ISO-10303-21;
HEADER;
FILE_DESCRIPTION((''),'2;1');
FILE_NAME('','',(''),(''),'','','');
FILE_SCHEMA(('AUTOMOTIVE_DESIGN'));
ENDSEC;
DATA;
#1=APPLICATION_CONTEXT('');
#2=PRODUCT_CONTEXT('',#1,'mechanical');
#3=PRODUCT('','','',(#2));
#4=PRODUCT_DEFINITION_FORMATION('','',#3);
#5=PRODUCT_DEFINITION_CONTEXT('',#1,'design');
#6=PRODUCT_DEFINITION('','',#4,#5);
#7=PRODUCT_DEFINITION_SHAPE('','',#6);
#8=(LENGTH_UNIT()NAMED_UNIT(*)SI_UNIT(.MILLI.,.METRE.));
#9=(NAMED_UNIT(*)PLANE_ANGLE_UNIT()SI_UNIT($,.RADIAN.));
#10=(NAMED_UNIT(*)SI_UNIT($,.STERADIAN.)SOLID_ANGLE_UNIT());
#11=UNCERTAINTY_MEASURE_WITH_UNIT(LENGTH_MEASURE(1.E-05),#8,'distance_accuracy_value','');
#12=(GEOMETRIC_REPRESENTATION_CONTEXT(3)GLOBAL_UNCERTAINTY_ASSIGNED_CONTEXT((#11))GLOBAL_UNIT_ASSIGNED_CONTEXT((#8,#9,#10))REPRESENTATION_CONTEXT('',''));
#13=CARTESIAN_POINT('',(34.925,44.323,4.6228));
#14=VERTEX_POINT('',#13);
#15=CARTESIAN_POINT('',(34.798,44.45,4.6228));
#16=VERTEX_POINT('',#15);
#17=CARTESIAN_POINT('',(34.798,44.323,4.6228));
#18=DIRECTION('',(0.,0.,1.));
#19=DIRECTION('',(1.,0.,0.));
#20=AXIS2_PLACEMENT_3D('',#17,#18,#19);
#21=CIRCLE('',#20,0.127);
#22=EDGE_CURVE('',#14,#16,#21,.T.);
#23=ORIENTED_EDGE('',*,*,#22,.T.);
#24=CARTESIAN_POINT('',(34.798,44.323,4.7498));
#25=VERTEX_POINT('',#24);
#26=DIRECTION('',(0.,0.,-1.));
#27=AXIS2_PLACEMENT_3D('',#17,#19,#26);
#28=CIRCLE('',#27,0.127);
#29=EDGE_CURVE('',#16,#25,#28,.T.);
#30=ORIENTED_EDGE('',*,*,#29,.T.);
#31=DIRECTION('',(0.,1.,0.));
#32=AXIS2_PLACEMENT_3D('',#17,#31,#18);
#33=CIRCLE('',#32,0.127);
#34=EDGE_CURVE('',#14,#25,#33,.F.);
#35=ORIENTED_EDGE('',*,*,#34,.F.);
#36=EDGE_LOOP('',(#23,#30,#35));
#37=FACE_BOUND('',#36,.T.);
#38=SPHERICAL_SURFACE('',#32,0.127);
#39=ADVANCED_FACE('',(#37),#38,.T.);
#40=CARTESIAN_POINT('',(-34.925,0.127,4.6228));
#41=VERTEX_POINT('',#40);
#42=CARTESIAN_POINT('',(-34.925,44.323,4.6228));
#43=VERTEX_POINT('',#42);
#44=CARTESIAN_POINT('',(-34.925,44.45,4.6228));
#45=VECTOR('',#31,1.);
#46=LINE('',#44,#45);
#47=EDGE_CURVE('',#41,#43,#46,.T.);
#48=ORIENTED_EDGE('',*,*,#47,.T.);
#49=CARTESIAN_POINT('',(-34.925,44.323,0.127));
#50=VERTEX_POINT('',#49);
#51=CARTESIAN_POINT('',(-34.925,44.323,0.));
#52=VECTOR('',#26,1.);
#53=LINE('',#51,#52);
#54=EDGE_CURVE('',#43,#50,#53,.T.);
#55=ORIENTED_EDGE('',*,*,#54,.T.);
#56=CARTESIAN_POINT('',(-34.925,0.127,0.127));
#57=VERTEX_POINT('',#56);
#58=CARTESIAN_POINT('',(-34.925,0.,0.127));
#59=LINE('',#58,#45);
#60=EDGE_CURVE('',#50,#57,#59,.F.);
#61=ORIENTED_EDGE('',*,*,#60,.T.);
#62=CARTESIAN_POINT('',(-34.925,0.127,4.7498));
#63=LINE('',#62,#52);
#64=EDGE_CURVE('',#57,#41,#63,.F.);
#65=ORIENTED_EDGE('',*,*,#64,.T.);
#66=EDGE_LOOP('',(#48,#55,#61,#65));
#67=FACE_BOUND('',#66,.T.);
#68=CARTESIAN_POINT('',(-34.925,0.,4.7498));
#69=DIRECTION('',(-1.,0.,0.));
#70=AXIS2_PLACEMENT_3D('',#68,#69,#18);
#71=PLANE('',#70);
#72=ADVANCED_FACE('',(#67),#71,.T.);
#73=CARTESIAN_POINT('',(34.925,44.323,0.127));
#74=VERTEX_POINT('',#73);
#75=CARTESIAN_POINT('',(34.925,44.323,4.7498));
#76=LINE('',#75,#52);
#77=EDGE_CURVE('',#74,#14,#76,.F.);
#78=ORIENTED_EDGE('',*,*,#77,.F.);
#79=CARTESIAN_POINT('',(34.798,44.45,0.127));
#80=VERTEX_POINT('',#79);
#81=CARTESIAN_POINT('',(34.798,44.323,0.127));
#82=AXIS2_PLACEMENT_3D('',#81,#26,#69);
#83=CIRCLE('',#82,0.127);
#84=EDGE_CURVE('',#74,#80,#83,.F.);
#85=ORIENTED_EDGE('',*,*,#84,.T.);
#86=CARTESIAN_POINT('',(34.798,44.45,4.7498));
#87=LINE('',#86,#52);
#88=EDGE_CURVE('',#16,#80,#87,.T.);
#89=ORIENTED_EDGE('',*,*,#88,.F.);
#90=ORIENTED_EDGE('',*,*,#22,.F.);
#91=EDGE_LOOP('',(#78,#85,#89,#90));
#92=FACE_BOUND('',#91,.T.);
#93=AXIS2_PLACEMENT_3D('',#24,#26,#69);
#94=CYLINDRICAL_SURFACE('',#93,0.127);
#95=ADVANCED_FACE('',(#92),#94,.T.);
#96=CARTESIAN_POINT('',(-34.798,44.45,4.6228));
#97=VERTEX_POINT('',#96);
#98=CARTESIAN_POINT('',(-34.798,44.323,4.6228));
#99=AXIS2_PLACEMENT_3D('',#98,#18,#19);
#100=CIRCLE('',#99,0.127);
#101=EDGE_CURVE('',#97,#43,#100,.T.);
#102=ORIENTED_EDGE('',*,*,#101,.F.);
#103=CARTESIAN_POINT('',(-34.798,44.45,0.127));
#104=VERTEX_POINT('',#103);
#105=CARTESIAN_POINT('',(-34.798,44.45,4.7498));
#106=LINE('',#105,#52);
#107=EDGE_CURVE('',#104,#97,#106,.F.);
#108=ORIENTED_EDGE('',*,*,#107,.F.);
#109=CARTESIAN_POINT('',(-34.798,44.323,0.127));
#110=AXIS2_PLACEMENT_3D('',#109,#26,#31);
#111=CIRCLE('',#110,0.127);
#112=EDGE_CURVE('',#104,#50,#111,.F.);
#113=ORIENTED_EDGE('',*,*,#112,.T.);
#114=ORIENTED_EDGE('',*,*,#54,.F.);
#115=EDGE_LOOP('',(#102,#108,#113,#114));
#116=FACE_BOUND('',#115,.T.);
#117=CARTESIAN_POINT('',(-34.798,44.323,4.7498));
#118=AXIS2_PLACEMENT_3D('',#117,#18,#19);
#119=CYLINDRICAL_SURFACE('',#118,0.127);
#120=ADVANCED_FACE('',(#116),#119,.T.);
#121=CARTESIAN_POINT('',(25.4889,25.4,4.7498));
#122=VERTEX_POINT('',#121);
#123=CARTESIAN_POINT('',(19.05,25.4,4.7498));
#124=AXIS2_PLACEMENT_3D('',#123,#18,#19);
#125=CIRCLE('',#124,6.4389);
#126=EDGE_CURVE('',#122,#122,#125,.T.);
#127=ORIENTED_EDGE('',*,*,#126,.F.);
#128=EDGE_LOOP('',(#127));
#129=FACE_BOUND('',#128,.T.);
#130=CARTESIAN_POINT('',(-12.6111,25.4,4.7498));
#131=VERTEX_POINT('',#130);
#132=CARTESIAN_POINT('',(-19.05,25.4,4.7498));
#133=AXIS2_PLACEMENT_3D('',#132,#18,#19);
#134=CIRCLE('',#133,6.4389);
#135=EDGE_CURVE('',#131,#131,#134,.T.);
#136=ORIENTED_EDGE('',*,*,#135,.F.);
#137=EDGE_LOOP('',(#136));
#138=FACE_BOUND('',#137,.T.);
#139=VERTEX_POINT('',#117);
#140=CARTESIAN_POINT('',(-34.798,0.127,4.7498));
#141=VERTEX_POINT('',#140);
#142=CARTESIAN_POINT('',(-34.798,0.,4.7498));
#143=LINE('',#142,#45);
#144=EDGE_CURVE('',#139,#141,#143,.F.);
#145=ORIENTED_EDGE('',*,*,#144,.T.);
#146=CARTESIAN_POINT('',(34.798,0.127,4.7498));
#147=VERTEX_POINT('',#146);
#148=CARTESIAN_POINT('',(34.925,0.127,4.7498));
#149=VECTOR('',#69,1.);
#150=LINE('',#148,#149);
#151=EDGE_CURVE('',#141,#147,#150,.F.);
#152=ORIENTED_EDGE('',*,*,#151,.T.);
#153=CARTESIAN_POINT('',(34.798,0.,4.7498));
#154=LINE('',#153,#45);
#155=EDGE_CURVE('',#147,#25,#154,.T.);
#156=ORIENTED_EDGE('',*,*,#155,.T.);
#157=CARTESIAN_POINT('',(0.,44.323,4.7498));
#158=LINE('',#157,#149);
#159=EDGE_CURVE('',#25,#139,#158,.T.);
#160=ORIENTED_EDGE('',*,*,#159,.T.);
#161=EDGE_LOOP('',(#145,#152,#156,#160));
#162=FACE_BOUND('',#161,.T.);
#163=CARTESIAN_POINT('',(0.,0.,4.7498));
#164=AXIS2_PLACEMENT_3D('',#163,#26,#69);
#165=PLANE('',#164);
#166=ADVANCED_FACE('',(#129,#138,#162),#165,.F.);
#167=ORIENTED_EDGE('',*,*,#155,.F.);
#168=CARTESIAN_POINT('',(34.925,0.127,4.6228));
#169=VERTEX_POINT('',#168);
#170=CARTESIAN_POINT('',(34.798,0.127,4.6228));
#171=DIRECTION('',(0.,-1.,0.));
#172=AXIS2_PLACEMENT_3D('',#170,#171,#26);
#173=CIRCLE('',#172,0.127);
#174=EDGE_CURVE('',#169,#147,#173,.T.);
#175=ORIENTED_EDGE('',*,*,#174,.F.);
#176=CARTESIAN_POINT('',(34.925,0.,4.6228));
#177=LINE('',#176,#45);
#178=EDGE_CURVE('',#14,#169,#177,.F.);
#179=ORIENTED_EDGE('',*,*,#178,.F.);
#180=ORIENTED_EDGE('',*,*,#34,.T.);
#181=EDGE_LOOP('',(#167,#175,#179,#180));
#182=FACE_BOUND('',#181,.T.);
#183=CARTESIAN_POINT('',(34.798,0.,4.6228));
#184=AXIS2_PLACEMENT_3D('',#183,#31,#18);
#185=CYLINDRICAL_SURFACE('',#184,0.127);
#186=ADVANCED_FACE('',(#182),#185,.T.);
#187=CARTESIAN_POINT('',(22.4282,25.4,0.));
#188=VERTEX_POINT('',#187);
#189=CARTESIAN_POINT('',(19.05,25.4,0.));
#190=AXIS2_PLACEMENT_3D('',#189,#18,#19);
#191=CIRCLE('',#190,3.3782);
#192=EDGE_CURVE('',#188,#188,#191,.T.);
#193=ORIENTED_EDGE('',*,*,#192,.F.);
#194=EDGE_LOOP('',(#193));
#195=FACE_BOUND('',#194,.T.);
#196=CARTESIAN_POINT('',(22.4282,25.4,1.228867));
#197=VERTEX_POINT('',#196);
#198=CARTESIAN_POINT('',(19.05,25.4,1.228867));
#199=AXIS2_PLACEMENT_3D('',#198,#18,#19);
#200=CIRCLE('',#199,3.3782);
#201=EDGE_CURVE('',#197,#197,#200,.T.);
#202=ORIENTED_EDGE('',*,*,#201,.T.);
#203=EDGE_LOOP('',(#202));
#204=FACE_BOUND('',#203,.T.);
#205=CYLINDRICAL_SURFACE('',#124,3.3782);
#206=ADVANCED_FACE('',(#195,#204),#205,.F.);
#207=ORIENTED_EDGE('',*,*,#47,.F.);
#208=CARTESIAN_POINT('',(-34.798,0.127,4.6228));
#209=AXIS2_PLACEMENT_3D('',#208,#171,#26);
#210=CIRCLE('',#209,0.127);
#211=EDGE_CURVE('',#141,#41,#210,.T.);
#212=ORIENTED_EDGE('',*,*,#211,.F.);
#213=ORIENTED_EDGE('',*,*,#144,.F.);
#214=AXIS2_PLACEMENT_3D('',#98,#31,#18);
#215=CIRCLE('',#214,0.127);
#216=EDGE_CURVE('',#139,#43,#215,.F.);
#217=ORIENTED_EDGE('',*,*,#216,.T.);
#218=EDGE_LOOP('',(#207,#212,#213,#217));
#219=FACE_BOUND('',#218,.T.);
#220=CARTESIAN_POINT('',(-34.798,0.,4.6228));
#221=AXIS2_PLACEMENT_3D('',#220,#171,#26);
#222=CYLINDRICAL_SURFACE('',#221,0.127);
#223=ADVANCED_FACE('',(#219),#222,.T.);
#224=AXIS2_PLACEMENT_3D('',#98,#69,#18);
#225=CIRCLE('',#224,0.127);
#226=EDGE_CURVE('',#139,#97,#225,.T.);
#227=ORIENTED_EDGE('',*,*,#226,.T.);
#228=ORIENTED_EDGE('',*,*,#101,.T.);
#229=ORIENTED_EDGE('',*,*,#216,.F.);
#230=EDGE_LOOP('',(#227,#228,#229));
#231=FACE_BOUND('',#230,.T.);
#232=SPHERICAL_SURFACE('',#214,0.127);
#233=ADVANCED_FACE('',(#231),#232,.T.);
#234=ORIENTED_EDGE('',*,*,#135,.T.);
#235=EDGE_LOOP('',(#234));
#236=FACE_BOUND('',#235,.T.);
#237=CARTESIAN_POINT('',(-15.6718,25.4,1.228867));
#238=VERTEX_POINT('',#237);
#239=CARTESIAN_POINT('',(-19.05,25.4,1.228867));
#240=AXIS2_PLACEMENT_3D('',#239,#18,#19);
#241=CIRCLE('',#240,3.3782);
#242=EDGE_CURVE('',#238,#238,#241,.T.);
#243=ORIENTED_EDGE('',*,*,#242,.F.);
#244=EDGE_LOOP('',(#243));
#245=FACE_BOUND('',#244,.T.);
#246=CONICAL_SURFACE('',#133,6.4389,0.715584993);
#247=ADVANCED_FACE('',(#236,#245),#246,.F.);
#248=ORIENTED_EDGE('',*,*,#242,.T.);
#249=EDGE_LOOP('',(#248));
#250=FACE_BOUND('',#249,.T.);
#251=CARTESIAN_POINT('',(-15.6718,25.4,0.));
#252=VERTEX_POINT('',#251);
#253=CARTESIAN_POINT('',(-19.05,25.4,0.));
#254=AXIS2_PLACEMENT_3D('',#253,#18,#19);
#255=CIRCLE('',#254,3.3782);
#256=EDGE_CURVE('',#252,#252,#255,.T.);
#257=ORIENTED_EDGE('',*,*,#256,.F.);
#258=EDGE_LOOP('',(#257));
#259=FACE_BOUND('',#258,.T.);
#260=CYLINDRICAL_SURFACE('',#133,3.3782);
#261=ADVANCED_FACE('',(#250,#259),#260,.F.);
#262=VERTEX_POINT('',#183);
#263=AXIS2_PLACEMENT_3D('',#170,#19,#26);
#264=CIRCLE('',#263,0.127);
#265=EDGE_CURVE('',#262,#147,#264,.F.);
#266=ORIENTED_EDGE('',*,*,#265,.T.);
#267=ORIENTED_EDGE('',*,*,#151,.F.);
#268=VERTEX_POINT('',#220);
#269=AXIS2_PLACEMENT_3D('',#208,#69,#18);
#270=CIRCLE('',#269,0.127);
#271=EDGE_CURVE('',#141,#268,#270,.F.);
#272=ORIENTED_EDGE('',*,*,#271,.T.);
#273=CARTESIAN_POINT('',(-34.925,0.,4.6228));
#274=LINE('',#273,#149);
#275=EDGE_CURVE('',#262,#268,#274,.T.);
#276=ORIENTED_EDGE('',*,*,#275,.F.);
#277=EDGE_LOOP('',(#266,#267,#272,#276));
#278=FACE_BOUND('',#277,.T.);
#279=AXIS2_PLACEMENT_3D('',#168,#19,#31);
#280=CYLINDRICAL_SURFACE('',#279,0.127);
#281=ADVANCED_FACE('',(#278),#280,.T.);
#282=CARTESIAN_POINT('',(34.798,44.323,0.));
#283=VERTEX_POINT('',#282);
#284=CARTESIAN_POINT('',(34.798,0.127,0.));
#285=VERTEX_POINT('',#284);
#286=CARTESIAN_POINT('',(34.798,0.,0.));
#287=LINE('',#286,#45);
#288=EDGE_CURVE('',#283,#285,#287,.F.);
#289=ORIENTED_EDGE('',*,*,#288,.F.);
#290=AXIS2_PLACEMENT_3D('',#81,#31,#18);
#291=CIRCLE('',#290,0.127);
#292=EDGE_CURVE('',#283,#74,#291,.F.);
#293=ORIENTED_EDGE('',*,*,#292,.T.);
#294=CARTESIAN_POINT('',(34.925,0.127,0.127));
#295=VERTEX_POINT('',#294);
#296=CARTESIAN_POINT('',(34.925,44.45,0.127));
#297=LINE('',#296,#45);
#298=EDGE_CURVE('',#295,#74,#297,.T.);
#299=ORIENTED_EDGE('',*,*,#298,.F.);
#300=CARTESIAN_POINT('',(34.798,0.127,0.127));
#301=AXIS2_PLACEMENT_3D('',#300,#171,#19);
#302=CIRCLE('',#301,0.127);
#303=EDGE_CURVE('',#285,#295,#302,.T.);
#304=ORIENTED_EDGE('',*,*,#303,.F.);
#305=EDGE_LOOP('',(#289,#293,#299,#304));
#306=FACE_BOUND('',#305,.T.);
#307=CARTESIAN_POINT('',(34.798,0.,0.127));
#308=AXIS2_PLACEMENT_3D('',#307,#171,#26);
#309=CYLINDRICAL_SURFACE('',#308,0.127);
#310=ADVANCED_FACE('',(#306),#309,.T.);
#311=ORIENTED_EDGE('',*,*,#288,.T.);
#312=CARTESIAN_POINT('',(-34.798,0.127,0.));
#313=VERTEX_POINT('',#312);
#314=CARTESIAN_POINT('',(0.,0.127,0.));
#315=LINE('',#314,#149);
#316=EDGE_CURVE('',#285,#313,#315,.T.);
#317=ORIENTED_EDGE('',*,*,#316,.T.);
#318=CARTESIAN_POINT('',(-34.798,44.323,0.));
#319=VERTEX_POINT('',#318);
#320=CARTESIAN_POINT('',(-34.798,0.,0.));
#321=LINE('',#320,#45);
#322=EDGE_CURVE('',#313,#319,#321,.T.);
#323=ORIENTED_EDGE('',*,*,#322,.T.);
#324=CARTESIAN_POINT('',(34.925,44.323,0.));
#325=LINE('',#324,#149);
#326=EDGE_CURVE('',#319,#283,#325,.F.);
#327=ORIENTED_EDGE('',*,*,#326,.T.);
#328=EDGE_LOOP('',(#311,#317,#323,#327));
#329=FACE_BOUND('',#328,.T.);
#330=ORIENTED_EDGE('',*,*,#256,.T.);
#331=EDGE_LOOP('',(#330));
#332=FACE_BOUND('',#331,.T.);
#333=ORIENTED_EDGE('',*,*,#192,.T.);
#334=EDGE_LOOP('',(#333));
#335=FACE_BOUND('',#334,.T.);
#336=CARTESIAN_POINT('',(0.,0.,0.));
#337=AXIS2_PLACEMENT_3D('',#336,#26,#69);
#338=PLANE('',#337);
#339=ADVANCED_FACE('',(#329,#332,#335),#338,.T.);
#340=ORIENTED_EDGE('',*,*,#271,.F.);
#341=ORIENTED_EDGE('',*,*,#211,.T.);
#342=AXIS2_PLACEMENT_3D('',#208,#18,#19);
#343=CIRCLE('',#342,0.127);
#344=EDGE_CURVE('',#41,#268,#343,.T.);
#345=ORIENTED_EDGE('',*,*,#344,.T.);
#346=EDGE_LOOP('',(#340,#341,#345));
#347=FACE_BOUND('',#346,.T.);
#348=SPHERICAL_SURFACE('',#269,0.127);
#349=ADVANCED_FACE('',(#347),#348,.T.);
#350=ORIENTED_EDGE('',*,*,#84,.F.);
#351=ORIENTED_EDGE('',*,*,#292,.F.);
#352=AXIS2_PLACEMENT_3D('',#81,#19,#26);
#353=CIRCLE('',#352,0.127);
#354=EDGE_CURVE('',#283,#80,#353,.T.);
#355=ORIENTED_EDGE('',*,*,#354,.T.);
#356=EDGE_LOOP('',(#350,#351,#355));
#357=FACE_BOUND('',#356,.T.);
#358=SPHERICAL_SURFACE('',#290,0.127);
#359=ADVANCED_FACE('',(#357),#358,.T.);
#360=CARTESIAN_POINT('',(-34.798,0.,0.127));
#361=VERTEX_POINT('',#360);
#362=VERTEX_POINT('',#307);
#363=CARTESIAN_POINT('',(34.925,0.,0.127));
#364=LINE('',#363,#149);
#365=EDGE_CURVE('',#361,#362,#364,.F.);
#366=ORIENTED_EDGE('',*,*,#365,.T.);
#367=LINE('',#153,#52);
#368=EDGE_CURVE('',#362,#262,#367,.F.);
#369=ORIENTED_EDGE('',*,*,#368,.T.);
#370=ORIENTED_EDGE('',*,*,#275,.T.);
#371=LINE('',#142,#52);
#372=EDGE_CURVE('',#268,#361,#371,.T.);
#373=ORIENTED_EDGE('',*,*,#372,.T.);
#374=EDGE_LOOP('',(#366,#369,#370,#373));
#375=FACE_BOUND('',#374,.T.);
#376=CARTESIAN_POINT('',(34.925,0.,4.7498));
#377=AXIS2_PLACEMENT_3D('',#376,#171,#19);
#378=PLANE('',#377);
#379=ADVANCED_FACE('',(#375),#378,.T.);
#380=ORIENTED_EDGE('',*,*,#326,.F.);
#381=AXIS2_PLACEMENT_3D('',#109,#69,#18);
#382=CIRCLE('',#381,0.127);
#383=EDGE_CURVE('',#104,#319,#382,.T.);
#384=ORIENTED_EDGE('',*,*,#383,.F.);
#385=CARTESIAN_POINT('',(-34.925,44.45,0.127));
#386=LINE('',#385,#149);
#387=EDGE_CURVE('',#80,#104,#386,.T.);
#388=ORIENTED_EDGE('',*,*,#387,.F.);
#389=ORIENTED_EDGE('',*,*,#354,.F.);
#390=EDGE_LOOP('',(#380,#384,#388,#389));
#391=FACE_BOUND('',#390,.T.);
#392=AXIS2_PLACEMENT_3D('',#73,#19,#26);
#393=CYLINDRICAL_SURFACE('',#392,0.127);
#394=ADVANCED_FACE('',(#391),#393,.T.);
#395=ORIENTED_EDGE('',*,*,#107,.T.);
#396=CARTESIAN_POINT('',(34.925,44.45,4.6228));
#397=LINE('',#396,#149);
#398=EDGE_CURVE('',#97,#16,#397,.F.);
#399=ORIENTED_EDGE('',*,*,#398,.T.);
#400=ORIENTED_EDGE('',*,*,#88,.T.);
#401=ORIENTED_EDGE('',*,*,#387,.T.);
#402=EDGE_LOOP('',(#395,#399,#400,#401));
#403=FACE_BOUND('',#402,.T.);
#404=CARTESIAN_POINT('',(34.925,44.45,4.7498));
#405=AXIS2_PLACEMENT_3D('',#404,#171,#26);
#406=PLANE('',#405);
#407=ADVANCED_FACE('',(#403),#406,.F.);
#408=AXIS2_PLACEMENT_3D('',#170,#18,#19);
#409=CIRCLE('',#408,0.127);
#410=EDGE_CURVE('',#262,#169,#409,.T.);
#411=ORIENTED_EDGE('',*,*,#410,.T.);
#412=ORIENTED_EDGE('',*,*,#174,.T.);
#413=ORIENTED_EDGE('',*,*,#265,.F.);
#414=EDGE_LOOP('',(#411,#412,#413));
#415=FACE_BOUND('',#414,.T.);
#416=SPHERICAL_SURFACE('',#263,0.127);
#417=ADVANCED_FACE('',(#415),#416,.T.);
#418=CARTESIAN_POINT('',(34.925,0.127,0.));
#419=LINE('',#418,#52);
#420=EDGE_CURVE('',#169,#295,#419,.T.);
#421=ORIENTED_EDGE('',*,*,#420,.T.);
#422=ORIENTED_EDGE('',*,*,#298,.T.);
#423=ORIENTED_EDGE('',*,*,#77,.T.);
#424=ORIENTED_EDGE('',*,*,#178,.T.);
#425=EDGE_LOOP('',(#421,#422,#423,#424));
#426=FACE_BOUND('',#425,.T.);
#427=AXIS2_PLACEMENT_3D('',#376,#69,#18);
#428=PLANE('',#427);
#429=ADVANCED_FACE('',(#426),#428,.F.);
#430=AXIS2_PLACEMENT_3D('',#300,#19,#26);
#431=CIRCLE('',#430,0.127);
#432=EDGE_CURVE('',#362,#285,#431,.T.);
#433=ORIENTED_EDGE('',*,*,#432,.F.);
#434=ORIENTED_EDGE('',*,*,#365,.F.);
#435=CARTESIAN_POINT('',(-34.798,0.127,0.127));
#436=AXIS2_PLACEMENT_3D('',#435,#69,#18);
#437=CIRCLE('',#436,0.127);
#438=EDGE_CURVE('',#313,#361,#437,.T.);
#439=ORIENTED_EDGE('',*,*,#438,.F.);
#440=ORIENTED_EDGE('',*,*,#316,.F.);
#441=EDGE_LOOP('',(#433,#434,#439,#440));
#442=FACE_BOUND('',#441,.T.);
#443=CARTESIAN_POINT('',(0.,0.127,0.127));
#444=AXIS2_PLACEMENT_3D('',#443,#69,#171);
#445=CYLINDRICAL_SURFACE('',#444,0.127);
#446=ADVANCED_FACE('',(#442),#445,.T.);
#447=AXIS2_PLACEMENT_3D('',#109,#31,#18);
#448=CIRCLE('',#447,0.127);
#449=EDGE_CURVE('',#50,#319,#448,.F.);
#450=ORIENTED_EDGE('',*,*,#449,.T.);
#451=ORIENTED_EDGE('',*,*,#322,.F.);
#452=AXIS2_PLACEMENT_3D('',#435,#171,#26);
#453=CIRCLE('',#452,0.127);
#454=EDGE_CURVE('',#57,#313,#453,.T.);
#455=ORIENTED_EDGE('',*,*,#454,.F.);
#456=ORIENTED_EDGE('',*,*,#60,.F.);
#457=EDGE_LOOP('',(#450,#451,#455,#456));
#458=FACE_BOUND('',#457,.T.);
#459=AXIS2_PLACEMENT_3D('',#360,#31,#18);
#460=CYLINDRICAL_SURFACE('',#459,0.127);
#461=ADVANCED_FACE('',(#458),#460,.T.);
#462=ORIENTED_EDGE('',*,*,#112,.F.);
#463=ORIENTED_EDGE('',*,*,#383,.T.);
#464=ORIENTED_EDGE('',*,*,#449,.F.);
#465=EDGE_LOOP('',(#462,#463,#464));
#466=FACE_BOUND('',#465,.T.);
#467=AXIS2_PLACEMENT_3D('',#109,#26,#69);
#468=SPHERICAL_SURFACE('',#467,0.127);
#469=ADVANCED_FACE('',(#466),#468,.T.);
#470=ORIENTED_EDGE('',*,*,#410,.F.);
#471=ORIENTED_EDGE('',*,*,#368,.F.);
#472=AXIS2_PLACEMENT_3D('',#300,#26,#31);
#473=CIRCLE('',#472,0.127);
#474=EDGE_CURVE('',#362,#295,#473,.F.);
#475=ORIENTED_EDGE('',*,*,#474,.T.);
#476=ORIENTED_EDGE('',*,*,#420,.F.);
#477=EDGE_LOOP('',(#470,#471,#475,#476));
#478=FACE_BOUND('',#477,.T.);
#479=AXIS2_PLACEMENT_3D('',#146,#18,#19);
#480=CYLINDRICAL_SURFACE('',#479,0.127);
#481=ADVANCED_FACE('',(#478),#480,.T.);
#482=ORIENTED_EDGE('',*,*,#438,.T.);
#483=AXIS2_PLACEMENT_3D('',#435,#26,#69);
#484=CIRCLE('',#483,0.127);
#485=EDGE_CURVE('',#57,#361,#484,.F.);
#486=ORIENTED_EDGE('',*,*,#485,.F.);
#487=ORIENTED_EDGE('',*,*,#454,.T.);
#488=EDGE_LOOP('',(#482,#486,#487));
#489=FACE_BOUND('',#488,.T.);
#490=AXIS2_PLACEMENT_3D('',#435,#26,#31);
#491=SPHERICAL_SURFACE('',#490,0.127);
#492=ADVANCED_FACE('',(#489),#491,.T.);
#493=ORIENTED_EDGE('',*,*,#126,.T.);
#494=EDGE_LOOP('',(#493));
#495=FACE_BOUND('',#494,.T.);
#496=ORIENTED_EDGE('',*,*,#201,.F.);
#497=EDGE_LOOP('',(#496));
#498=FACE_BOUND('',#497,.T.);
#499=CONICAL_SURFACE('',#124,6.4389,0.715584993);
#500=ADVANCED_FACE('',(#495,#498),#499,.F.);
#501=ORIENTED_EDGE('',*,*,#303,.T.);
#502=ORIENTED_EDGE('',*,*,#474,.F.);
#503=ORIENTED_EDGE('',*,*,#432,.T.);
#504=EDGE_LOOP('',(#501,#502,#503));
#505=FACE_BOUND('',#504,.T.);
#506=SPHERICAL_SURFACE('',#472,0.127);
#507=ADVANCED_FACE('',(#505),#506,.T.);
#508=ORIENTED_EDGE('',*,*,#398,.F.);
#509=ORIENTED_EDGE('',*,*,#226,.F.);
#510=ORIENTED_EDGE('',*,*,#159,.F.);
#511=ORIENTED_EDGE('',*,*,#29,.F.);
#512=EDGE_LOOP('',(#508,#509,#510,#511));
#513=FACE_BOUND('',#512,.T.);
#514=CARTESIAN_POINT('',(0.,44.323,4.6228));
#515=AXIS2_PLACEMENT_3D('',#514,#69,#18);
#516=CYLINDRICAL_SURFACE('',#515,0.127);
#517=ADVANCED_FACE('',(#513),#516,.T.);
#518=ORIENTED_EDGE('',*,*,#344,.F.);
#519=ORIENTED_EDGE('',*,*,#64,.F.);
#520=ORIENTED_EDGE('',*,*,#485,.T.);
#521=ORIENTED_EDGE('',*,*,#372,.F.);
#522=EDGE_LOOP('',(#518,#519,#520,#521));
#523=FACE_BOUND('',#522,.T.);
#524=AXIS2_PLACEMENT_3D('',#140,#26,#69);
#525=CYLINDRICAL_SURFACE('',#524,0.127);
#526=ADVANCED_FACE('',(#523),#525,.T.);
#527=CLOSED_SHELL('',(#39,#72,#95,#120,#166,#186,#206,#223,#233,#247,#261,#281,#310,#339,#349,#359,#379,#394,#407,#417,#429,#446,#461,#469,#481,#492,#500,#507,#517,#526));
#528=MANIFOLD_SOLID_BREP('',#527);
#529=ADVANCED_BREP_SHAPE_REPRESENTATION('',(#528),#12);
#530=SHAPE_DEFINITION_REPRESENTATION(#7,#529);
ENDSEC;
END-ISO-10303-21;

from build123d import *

# Parameters (mm, degrees)
SKETCH1_W                                     = 69.85
SKETCH1_H                                     = 44.45
BOSS_EXTRUDE1_DEPTH                           = 4.7498
CSK_FOR_1_4_FLAT_HEAD_MACHINE_SCREW1_AT_COUNT = 2
CSK_FOR_1_4_FLAT_HEAD_MACHINE_SCREW1_AT_PITCH = 38.1
FILLET1_R                                     = 0.127


with BuildPart() as part:
    # Sketch1 → Boss-Extrude1 (new body)
    with BuildSketch(Plane.XY):
        with Locations((0, 22.225)):
            Rectangle(SKETCH1_W, SKETCH1_H)
    extrude(amount=BOSS_EXTRUDE1_DEPTH)

    # Sketch4 → CSK for 1/4 Flat Head Machine Screw1 (revolve, cut)
    with BuildSketch(Plane(origin=(19.05, 25.4, 4.7498), x_dir=(0, -1, 0), z_dir=(1, 0, 0))):
        Polygon((0, 0), (0, 4.7498), (3.3782, 4.7498), (3.3782, 3.520932584), (6.4389, 0), align=None)
    csk_for_1_4_flat_head_machine_screw1 = revolve(axis=Axis((19.05, 25.4, 11.0998), (0, 0, -1)), mode=Mode.SUBTRACT)

    # CSK for 1/4 Flat Head Machine Screw1 at: CSK for 1/4 Flat Head Machine Screw1 ×2
    with Locations(*[(-i * CSK_FOR_1_4_FLAT_HEAD_MACHINE_SCREW1_AT_PITCH, 0, 0) for i in range(1, CSK_FOR_1_4_FLAT_HEAD_MACHINE_SCREW1_AT_COUNT)]):
        add(csk_for_1_4_flat_head_machine_screw1, mode=Mode.SUBTRACT)

    # Fillet1
    fillet1_edges = [part.edges().sort_by_distance(p)[0] for p in [
        (0, 44.45, 4.7498),
        (34.925, 22.225, 4.7498),
        (0, 0, 4.7498),
        (34.925, 22.225, 0),
        (0, 44.45, 0),
        (-34.925, 22.225, 0),
        (0, 0, 0),
        (34.925, 0, 2.3749),
        (34.925, 44.45, 2.3749),
        (-34.925, 44.45, 2.3749),
        (-34.925, 0, 2.3749),
        (-34.925, 22.225, 4.7498),
    ]]
    fillet(fillet1_edges, radius=FILLET1_R)


solid = part.part
